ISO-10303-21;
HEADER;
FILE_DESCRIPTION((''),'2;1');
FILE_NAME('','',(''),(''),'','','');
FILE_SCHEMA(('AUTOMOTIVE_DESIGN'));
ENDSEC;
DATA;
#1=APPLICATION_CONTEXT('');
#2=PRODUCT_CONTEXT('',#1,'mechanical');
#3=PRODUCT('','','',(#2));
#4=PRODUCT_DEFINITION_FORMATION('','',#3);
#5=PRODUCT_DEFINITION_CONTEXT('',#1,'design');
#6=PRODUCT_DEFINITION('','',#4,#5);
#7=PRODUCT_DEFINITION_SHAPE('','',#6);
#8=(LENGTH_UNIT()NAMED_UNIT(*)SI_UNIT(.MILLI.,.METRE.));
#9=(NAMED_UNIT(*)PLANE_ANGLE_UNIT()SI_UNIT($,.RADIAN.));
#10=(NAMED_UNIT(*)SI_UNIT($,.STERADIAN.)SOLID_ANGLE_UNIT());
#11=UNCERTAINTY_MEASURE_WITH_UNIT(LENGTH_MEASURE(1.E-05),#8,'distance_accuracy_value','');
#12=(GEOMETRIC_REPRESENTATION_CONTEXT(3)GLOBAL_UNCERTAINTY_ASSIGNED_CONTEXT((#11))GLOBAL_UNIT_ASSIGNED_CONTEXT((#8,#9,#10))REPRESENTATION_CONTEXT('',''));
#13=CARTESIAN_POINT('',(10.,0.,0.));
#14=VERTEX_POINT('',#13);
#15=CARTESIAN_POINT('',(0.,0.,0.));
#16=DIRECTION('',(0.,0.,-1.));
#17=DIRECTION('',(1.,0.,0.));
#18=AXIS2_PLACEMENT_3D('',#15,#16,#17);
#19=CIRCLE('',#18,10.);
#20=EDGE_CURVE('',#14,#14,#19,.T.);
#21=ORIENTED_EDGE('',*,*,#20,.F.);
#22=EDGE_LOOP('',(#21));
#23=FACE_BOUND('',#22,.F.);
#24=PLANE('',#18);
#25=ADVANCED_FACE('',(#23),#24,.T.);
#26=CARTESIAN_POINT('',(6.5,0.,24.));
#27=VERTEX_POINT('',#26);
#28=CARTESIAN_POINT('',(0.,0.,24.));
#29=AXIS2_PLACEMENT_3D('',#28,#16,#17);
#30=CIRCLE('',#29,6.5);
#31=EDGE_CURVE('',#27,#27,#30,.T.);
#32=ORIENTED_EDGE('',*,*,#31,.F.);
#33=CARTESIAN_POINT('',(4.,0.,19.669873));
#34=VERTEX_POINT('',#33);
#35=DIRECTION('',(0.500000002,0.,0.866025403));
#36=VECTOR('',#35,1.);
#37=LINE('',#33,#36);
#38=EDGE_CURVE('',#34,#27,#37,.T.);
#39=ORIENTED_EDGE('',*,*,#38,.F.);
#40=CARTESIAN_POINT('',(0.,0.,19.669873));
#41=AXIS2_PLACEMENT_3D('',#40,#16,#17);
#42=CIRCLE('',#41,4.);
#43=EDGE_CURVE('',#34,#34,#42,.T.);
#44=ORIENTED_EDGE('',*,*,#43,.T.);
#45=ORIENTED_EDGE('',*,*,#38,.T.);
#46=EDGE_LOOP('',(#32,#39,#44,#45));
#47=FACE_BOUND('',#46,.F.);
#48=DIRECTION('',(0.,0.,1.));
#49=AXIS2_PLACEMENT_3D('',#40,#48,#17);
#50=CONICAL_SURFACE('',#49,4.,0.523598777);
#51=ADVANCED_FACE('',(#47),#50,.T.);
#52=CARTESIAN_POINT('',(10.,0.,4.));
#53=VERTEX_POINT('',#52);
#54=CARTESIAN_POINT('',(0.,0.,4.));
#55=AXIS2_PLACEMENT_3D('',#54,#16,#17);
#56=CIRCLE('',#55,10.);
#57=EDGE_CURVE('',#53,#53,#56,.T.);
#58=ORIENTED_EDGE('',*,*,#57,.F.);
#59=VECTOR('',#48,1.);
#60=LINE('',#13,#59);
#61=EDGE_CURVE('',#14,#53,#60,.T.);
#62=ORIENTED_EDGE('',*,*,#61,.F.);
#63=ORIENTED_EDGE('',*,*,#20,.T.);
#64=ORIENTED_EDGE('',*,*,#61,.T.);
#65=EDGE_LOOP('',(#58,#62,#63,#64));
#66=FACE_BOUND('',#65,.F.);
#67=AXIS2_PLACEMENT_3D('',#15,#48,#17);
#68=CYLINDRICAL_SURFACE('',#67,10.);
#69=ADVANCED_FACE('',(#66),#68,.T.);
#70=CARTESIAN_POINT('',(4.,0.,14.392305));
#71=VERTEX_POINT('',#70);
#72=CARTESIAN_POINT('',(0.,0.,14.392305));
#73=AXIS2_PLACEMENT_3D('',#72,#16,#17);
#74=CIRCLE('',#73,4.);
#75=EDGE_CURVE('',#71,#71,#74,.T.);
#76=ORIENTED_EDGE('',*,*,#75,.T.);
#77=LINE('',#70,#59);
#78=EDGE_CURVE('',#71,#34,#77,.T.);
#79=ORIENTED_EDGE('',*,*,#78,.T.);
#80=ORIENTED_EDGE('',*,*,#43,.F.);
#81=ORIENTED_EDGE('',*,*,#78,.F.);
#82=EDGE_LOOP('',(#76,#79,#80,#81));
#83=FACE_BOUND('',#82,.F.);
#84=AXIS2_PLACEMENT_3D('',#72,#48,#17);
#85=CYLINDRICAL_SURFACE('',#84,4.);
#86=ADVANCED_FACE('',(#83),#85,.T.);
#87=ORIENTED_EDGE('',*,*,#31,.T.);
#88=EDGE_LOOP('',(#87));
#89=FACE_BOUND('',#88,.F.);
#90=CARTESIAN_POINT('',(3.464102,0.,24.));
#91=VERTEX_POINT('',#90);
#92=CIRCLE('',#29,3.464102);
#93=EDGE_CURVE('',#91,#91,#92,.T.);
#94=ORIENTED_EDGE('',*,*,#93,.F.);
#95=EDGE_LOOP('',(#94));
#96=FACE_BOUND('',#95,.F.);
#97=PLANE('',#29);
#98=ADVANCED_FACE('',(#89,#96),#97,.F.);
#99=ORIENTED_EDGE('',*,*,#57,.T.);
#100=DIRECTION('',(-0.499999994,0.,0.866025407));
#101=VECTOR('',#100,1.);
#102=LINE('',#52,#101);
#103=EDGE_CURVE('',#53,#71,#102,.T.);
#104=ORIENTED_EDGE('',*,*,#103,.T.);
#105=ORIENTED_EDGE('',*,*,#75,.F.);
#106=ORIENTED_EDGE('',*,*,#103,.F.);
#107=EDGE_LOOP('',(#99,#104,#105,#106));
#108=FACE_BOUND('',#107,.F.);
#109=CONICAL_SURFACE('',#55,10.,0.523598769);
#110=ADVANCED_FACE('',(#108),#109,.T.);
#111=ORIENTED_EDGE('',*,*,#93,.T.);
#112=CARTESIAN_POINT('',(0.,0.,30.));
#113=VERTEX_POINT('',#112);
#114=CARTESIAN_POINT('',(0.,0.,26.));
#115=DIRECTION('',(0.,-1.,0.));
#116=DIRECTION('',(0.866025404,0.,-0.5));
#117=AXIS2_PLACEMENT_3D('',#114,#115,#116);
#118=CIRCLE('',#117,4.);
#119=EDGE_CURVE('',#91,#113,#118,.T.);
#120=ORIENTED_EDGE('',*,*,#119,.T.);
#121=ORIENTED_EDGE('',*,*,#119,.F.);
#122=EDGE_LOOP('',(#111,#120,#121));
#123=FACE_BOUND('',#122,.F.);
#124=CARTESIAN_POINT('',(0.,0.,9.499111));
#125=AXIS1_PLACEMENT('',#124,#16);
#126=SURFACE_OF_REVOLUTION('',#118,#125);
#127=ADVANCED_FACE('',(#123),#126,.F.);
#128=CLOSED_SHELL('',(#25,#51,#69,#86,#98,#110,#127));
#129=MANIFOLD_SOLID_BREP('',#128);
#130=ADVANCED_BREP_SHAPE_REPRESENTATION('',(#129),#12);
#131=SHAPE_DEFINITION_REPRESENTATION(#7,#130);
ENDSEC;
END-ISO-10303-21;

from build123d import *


with BuildPart() as f1:
    # F0 (on Front) → F1 (revolve)
    with BuildSketch(Plane.XZ):
        with BuildLine():
            Line((0, 30), (0, 0))
            Line((0, 0), (10, 0))
            Line((10, 0), (10, 4))
            Line((10, 4), (4, 14.392305))
            Line((4, 14.392305), (4, 19.669873))
            Line((4, 19.669873), (6.5, 24))
            Line((6.5, 24), (3.464102, 24))
            ThreePointArc((3.464102, 24), (3.464102, 28), (0, 30))
        make_face()
    revolve(axis=Axis((0, 0, 9.499111), (0, 0, -1)))


solid = f1.part
